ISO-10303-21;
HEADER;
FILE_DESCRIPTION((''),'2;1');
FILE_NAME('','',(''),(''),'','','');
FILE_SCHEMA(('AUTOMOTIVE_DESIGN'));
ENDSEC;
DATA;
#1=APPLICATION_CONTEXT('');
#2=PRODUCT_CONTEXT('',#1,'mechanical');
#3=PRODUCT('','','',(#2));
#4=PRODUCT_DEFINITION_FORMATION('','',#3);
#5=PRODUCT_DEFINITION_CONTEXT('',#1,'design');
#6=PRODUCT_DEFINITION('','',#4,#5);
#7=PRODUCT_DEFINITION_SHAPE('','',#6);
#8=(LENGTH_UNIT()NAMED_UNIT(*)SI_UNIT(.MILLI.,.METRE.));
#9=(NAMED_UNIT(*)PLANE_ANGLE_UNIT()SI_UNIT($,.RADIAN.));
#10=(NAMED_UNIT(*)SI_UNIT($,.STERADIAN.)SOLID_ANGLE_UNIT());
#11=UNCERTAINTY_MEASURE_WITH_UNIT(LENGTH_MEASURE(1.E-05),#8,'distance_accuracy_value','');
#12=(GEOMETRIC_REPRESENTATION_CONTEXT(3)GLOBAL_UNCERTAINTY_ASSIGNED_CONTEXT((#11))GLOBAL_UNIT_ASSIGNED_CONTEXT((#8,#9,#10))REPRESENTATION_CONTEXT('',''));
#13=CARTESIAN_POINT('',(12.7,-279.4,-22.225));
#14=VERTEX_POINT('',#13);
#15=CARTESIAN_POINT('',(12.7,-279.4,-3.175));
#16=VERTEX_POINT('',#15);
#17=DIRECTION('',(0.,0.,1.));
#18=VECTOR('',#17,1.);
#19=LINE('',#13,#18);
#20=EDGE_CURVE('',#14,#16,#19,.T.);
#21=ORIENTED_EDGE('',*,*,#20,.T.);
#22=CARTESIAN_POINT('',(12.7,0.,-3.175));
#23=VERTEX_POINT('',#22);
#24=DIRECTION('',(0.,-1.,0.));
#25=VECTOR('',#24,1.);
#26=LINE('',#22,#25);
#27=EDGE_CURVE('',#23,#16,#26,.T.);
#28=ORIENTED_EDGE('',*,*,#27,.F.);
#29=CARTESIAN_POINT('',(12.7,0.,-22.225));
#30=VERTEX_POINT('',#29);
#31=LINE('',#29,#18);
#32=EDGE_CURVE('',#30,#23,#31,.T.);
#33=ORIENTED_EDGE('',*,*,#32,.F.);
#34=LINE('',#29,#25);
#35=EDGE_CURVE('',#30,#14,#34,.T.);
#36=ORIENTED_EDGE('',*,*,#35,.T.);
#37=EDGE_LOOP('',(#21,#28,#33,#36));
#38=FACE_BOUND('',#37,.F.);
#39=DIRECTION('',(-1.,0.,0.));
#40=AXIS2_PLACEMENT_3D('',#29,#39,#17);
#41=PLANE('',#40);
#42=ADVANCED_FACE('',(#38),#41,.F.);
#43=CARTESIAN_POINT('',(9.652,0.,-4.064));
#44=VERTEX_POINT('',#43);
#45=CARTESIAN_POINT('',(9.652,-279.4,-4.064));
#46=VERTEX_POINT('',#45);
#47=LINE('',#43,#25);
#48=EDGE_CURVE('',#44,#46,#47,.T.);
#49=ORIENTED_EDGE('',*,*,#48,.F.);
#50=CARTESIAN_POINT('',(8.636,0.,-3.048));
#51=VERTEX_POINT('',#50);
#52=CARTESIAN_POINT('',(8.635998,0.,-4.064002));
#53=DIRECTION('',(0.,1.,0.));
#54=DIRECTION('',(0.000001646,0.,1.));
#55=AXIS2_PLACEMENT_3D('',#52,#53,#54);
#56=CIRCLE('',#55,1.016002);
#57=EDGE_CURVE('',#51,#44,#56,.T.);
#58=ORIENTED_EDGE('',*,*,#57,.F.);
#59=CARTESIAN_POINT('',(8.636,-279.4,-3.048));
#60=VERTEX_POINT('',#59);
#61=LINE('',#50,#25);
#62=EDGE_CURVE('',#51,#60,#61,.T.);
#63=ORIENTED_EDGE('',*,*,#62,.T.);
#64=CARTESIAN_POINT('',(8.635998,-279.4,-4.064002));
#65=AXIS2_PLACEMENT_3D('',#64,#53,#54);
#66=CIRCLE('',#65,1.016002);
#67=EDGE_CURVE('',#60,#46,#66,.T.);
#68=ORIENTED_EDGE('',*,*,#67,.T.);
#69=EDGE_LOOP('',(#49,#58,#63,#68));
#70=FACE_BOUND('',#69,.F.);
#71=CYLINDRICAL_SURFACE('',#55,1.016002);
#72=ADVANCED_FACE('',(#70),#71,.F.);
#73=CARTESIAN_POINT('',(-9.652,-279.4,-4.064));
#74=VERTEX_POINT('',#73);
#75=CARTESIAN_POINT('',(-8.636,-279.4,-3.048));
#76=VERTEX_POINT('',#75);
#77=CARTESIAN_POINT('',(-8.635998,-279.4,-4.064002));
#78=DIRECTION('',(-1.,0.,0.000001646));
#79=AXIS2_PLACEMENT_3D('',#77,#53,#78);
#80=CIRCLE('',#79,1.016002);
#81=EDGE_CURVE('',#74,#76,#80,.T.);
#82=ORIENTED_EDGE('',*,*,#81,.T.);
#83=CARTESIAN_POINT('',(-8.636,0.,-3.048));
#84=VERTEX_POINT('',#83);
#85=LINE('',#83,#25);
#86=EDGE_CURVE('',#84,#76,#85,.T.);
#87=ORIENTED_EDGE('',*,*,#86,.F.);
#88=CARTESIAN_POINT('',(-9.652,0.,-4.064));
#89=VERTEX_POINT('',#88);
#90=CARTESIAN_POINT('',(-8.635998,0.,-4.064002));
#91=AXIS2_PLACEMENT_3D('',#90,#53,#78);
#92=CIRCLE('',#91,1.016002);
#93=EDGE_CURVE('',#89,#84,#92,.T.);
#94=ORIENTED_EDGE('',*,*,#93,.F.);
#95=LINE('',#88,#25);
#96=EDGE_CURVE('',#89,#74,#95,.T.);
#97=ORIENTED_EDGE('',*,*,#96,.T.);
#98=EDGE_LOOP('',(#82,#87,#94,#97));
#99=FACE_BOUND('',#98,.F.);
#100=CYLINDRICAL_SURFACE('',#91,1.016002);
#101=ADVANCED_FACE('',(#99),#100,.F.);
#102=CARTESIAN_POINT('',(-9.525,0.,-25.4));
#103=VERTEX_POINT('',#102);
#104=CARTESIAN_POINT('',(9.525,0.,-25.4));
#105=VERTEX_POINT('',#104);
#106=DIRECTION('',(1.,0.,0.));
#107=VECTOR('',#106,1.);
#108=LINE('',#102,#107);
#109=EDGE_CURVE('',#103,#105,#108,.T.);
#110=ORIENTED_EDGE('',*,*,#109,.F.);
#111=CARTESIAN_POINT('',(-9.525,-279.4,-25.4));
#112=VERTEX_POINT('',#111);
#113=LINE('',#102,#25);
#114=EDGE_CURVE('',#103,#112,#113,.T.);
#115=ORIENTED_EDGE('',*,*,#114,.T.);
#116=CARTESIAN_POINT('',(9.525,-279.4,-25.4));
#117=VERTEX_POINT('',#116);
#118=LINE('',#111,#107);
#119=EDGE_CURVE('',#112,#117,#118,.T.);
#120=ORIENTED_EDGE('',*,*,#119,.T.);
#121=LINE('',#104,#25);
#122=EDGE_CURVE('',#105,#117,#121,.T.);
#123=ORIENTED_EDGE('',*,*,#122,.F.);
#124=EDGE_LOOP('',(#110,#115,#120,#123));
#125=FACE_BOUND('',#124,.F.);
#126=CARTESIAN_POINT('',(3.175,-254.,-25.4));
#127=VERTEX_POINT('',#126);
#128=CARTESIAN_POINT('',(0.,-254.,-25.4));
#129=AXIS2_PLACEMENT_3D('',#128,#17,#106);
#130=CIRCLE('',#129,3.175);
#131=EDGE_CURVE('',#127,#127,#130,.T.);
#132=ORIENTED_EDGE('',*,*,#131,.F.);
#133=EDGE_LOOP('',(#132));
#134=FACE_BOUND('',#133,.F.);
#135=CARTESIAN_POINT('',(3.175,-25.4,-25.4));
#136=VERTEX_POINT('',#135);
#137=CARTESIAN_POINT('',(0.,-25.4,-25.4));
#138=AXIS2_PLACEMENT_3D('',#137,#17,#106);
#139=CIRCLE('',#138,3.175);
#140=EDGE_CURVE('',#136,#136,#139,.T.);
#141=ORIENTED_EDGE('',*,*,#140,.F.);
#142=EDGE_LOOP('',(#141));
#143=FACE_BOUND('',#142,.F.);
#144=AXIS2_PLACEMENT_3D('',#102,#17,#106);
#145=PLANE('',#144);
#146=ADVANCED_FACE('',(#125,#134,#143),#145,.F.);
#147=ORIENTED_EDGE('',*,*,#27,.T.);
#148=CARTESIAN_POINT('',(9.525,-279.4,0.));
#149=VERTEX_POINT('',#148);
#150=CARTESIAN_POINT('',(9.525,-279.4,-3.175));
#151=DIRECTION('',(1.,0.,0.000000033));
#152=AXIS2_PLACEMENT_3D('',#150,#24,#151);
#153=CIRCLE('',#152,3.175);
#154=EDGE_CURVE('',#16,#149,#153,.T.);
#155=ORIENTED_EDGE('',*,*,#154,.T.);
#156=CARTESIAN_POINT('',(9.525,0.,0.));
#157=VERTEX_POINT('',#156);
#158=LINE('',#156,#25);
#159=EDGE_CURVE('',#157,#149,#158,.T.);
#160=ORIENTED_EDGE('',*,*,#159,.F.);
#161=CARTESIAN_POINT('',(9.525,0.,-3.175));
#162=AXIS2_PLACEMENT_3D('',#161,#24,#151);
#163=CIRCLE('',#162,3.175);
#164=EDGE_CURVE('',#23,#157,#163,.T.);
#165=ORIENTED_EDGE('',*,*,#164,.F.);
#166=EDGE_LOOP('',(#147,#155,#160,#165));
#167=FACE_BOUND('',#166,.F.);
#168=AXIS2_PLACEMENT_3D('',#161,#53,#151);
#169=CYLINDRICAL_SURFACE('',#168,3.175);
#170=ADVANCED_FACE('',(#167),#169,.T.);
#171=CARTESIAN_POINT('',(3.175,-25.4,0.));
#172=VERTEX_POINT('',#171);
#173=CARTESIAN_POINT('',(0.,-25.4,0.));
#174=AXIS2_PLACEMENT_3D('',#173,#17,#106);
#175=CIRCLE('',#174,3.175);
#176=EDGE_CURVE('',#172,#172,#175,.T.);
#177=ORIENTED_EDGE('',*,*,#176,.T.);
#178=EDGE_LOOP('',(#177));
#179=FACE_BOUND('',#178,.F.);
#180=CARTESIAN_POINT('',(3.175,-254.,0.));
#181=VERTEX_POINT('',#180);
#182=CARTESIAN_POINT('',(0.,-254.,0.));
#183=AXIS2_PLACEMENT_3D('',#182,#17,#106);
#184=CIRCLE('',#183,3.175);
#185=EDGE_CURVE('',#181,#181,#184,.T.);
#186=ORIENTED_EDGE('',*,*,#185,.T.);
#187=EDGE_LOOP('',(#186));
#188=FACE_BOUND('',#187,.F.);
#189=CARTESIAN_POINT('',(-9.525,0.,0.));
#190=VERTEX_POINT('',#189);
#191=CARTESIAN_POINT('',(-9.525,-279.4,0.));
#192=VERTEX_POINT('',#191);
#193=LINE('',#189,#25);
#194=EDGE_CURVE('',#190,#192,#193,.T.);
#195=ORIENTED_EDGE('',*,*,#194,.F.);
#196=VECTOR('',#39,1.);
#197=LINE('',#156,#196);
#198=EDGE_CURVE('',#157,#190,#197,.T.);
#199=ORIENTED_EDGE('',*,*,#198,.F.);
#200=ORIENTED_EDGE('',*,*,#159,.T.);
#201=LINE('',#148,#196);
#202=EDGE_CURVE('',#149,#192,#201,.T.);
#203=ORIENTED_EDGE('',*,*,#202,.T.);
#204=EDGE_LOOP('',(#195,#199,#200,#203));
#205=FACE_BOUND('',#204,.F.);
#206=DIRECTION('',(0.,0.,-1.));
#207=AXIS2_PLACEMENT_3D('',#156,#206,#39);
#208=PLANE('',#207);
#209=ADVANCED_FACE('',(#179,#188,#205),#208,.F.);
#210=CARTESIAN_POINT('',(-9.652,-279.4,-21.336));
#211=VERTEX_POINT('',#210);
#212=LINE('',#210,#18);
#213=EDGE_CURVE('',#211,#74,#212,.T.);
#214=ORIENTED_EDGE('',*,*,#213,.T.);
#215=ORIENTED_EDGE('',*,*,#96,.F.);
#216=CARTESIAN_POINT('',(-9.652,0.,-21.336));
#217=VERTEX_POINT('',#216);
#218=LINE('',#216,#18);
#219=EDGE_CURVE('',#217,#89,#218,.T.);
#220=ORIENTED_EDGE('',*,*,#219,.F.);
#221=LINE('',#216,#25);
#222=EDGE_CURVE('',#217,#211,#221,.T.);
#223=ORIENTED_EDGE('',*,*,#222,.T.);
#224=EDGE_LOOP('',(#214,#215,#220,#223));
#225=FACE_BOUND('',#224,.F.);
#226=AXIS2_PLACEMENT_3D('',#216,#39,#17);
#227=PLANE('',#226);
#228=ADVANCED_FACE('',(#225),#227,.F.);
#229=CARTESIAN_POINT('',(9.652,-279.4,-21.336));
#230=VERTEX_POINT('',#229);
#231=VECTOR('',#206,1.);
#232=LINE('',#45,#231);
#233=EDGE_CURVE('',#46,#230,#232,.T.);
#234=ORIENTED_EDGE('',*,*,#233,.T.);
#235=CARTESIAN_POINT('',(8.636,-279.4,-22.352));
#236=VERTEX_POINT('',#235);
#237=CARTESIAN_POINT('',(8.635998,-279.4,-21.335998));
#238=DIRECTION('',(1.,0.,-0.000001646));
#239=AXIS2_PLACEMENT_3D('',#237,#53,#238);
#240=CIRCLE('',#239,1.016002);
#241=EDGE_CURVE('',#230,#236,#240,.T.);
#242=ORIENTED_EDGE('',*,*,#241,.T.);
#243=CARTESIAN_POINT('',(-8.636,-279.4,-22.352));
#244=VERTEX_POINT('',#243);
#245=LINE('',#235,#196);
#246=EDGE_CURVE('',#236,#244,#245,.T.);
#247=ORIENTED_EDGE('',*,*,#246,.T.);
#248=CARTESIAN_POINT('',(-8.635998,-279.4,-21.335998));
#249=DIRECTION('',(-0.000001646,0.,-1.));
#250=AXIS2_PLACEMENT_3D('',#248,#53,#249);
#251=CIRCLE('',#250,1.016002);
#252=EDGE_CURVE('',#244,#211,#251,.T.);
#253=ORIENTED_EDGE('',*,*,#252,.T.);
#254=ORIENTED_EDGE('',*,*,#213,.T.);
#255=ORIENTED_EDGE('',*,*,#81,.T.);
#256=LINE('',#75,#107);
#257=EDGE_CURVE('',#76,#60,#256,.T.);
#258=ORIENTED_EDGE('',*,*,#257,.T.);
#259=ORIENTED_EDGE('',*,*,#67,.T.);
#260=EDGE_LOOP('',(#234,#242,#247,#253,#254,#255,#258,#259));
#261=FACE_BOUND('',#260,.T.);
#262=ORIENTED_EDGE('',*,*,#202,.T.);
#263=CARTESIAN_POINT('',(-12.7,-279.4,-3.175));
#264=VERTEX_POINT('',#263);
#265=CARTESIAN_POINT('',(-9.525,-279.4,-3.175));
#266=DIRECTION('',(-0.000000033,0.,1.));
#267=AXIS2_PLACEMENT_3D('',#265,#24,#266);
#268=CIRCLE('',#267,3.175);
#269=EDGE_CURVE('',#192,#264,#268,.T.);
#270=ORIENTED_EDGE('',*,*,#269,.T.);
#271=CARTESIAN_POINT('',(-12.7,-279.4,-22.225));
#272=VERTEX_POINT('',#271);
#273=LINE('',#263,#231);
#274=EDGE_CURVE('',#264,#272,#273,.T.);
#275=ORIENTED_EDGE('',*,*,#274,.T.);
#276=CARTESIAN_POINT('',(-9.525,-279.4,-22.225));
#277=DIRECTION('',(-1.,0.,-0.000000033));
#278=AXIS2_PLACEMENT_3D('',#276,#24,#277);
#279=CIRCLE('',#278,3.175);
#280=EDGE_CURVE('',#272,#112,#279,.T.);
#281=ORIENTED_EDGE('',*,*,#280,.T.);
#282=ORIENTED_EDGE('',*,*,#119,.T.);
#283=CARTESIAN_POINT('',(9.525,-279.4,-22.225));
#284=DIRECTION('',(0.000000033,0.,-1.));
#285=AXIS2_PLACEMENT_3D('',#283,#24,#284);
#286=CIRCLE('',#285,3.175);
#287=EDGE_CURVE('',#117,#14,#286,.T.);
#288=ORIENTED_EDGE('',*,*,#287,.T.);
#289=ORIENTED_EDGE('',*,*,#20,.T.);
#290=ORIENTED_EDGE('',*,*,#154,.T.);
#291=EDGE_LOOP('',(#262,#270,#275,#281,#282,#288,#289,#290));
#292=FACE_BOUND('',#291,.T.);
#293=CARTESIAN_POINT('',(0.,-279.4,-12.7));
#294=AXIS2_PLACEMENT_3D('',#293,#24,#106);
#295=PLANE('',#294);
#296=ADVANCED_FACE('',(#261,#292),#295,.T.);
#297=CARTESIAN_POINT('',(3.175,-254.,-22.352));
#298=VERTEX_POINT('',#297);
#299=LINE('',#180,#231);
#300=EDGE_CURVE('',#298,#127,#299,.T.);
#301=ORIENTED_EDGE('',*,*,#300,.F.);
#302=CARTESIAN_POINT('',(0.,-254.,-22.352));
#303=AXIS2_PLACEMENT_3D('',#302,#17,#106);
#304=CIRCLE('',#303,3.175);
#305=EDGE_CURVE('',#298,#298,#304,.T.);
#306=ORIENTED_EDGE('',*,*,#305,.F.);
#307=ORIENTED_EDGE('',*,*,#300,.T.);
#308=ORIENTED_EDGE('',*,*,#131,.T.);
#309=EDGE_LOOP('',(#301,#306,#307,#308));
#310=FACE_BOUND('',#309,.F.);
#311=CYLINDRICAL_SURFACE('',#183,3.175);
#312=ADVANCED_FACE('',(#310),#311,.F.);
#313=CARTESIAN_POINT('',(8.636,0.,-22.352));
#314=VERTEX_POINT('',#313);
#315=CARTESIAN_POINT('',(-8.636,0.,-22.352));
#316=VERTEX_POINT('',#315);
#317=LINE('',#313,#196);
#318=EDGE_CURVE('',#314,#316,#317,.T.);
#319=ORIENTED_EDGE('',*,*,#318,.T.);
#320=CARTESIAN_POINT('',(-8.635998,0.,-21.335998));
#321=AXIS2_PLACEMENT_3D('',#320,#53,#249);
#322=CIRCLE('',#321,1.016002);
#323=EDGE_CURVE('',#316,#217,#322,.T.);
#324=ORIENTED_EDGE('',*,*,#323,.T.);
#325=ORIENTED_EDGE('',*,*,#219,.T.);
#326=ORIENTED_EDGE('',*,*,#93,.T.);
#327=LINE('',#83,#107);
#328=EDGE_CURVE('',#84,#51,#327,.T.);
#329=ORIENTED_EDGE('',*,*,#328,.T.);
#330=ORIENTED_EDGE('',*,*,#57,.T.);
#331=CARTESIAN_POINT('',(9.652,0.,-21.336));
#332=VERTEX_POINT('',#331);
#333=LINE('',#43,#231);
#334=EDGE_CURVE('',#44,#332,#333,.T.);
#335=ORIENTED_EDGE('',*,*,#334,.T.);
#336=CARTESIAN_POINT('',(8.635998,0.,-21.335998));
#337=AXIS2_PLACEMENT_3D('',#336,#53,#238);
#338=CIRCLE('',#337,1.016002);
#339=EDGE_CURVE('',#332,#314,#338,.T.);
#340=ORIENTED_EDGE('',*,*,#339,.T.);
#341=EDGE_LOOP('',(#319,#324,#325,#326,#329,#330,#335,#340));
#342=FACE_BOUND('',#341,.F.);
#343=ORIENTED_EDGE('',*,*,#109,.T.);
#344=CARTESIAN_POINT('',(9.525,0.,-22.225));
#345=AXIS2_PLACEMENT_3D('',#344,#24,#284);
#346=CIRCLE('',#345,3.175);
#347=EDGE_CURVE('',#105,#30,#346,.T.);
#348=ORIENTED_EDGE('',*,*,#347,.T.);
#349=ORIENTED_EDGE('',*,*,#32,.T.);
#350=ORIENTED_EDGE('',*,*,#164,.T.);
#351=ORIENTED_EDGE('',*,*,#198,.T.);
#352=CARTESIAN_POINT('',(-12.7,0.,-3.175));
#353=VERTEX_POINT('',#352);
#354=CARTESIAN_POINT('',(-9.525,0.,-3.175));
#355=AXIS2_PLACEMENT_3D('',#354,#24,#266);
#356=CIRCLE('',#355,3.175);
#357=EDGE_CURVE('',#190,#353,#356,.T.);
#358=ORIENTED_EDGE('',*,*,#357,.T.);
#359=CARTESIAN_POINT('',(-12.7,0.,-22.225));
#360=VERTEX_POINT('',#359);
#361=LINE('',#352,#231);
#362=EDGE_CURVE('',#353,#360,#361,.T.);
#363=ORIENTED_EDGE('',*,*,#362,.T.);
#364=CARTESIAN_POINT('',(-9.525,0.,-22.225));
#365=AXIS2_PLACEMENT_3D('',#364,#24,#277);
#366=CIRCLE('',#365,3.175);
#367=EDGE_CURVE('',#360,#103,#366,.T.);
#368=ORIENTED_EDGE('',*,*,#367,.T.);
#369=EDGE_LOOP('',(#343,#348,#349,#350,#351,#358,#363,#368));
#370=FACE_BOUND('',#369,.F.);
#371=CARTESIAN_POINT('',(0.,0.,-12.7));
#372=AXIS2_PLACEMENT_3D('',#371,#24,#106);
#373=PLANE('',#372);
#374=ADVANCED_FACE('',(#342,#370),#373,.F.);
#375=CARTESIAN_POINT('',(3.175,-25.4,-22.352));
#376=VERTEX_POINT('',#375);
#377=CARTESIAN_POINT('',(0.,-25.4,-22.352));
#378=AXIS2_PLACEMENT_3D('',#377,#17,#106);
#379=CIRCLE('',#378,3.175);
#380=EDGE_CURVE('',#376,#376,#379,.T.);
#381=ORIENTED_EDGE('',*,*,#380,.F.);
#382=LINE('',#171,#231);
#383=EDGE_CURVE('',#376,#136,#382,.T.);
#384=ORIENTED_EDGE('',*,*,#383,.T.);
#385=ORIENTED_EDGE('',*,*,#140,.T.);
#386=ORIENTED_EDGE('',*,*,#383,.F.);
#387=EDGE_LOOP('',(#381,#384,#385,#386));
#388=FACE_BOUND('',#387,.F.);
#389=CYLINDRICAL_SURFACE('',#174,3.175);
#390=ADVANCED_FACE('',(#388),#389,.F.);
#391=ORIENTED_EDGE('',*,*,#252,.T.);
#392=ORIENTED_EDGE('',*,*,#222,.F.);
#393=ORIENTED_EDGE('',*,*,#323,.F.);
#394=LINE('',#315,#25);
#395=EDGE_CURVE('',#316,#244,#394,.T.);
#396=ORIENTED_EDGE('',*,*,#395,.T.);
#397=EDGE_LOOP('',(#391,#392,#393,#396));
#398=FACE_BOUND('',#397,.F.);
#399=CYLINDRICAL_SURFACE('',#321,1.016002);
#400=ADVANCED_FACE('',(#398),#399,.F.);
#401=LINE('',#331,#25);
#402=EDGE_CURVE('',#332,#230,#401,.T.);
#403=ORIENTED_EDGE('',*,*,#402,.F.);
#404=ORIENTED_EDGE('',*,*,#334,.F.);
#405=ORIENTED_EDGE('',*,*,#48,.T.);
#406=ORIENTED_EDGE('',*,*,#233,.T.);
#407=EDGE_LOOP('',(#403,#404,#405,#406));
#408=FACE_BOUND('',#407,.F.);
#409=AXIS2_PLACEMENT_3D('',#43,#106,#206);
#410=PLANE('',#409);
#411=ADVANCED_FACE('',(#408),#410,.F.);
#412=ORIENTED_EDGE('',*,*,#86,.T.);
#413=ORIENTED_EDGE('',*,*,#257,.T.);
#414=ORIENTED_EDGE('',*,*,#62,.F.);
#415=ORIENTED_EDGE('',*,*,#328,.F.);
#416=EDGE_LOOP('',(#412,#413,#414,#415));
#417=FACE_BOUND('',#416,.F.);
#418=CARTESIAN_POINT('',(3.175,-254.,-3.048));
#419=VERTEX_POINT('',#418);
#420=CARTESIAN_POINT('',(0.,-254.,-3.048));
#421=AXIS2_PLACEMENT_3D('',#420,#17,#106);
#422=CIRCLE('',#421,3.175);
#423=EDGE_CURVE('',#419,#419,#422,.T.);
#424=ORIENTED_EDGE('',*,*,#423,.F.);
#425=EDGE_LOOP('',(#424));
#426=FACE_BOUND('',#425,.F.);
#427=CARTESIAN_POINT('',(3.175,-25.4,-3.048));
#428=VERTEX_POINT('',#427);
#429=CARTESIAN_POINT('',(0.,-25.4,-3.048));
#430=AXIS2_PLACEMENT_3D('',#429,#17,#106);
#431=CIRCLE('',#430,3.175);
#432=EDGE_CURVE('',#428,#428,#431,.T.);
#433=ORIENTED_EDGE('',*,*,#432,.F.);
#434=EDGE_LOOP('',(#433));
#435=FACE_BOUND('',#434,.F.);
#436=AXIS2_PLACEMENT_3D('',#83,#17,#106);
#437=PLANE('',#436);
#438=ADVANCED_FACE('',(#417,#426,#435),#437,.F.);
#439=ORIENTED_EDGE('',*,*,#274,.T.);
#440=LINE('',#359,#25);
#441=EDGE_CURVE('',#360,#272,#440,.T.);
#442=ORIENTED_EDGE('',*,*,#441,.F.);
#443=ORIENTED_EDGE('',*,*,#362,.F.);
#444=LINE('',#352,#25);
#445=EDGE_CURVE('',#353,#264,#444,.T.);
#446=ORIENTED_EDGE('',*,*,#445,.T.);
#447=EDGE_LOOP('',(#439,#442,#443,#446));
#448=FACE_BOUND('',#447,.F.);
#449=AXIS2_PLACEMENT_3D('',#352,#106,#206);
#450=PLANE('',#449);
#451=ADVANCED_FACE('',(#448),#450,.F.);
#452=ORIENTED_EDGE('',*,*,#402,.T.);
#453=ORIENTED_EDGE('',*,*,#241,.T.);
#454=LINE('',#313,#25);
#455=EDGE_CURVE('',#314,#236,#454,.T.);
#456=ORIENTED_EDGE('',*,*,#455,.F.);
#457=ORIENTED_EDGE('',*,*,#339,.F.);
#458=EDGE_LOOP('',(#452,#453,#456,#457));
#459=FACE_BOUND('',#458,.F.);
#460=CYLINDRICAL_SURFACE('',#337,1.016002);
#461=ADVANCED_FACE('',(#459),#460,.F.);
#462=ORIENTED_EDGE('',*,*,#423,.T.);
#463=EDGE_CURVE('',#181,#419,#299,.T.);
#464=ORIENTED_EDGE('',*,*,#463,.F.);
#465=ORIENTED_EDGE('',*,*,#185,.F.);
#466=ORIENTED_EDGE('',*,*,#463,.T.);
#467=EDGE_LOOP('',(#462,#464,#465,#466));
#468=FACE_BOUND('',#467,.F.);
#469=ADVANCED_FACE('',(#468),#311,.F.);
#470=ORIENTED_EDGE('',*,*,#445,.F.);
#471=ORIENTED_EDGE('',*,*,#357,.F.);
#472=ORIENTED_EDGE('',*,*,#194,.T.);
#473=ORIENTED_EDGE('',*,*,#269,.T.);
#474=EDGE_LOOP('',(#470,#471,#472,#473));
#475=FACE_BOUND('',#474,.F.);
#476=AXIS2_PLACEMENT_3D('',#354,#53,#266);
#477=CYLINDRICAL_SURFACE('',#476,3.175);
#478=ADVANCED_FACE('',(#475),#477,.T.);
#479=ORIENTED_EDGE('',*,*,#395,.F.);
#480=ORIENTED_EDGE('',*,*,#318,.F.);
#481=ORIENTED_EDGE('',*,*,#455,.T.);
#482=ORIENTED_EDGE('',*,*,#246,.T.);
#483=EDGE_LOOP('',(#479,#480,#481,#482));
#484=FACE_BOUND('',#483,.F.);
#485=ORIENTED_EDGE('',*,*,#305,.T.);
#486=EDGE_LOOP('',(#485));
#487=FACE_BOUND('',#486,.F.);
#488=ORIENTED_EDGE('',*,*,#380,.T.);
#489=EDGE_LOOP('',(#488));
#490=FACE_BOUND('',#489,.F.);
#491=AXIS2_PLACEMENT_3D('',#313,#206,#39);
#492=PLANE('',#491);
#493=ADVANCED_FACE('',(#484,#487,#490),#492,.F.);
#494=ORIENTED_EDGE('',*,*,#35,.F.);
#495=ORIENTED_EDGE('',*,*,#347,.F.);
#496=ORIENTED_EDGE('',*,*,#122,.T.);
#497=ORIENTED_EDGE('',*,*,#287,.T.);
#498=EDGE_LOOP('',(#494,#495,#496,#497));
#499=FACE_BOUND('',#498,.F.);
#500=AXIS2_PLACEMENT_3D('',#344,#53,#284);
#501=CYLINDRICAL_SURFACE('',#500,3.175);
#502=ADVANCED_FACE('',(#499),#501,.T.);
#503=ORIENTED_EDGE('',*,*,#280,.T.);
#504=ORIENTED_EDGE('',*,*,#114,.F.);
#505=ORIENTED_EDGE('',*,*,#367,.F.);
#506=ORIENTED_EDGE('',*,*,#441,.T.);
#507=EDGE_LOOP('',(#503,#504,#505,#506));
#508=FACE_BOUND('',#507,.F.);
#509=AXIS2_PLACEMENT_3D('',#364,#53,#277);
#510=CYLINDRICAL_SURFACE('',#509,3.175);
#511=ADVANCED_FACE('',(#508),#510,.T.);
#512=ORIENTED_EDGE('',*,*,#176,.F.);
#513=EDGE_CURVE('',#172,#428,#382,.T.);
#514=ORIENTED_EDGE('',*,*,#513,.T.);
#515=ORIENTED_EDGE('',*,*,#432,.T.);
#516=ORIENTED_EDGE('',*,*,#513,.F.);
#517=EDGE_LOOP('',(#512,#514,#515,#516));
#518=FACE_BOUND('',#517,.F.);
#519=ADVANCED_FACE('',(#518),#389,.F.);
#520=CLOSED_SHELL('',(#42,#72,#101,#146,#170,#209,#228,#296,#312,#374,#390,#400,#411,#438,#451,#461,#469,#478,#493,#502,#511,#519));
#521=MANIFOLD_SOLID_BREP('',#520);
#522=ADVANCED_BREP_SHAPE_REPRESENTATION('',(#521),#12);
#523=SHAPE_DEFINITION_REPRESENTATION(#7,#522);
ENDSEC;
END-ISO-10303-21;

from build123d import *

# Parameters (mm, degrees)
F1_DEPTH = 279.4
F2_R     = 3.175
F3_DEPTH = 25.4


with BuildPart() as f1:
    # F0 (on Front) → F1 (new body)
    with BuildSketch(Plane.XZ):
        with BuildLine():
            Line((9.525, 0), (-9.525, 0))
            ThreePointArc((-9.525, 0), (-11.770064, -0.929936), (-12.7, -3.175))
            Line((-12.7, -3.175), (-12.7, -22.225))
            ThreePointArc((-12.7, -22.225), (-11.770064, -24.470064), (-9.525, -25.4))
            Line((-9.525, -25.4), (9.525, -25.4))
            ThreePointArc((9.525, -25.4), (11.770064, -24.470064), (12.7, -22.225))
            Line((12.7, -22.225), (12.7, -3.175))
            ThreePointArc((12.7, -3.175), (11.770064, -0.929936), (9.525, 0))
        make_face()
        with BuildLine():
            ThreePointArc((-9.652, -4.064), (-9.35442, -3.34558), (-8.636, -3.048))
            Line((-8.636, -3.048), (8.636, -3.048))
            ThreePointArc((8.636, -3.048), (9.35442, -3.34558), (9.652, -4.064))
            Line((9.652, -4.064), (9.652, -21.336))
            ThreePointArc((9.652, -21.336), (9.35442, -22.05442), (8.636, -22.352))
            Line((8.636, -22.352), (-8.636, -22.352))
            ThreePointArc((-8.636, -22.352), (-9.35442, -22.05442), (-9.652, -21.336))
            Line((-9.652, -21.336), (-9.652, -4.064))
        make_face(mode=Mode.SUBTRACT)
    extrude(amount=F1_DEPTH)

    # F2 (on Top) → F3 (cut)
    with BuildSketch(Plane.XY):
        with Locations((0, -25.4)):
            Circle(F2_R)
        with Locations((0, -254)):
            Circle(F2_R)
    extrude(amount=-F3_DEPTH, mode=Mode.SUBTRACT)


solid = f1.part
